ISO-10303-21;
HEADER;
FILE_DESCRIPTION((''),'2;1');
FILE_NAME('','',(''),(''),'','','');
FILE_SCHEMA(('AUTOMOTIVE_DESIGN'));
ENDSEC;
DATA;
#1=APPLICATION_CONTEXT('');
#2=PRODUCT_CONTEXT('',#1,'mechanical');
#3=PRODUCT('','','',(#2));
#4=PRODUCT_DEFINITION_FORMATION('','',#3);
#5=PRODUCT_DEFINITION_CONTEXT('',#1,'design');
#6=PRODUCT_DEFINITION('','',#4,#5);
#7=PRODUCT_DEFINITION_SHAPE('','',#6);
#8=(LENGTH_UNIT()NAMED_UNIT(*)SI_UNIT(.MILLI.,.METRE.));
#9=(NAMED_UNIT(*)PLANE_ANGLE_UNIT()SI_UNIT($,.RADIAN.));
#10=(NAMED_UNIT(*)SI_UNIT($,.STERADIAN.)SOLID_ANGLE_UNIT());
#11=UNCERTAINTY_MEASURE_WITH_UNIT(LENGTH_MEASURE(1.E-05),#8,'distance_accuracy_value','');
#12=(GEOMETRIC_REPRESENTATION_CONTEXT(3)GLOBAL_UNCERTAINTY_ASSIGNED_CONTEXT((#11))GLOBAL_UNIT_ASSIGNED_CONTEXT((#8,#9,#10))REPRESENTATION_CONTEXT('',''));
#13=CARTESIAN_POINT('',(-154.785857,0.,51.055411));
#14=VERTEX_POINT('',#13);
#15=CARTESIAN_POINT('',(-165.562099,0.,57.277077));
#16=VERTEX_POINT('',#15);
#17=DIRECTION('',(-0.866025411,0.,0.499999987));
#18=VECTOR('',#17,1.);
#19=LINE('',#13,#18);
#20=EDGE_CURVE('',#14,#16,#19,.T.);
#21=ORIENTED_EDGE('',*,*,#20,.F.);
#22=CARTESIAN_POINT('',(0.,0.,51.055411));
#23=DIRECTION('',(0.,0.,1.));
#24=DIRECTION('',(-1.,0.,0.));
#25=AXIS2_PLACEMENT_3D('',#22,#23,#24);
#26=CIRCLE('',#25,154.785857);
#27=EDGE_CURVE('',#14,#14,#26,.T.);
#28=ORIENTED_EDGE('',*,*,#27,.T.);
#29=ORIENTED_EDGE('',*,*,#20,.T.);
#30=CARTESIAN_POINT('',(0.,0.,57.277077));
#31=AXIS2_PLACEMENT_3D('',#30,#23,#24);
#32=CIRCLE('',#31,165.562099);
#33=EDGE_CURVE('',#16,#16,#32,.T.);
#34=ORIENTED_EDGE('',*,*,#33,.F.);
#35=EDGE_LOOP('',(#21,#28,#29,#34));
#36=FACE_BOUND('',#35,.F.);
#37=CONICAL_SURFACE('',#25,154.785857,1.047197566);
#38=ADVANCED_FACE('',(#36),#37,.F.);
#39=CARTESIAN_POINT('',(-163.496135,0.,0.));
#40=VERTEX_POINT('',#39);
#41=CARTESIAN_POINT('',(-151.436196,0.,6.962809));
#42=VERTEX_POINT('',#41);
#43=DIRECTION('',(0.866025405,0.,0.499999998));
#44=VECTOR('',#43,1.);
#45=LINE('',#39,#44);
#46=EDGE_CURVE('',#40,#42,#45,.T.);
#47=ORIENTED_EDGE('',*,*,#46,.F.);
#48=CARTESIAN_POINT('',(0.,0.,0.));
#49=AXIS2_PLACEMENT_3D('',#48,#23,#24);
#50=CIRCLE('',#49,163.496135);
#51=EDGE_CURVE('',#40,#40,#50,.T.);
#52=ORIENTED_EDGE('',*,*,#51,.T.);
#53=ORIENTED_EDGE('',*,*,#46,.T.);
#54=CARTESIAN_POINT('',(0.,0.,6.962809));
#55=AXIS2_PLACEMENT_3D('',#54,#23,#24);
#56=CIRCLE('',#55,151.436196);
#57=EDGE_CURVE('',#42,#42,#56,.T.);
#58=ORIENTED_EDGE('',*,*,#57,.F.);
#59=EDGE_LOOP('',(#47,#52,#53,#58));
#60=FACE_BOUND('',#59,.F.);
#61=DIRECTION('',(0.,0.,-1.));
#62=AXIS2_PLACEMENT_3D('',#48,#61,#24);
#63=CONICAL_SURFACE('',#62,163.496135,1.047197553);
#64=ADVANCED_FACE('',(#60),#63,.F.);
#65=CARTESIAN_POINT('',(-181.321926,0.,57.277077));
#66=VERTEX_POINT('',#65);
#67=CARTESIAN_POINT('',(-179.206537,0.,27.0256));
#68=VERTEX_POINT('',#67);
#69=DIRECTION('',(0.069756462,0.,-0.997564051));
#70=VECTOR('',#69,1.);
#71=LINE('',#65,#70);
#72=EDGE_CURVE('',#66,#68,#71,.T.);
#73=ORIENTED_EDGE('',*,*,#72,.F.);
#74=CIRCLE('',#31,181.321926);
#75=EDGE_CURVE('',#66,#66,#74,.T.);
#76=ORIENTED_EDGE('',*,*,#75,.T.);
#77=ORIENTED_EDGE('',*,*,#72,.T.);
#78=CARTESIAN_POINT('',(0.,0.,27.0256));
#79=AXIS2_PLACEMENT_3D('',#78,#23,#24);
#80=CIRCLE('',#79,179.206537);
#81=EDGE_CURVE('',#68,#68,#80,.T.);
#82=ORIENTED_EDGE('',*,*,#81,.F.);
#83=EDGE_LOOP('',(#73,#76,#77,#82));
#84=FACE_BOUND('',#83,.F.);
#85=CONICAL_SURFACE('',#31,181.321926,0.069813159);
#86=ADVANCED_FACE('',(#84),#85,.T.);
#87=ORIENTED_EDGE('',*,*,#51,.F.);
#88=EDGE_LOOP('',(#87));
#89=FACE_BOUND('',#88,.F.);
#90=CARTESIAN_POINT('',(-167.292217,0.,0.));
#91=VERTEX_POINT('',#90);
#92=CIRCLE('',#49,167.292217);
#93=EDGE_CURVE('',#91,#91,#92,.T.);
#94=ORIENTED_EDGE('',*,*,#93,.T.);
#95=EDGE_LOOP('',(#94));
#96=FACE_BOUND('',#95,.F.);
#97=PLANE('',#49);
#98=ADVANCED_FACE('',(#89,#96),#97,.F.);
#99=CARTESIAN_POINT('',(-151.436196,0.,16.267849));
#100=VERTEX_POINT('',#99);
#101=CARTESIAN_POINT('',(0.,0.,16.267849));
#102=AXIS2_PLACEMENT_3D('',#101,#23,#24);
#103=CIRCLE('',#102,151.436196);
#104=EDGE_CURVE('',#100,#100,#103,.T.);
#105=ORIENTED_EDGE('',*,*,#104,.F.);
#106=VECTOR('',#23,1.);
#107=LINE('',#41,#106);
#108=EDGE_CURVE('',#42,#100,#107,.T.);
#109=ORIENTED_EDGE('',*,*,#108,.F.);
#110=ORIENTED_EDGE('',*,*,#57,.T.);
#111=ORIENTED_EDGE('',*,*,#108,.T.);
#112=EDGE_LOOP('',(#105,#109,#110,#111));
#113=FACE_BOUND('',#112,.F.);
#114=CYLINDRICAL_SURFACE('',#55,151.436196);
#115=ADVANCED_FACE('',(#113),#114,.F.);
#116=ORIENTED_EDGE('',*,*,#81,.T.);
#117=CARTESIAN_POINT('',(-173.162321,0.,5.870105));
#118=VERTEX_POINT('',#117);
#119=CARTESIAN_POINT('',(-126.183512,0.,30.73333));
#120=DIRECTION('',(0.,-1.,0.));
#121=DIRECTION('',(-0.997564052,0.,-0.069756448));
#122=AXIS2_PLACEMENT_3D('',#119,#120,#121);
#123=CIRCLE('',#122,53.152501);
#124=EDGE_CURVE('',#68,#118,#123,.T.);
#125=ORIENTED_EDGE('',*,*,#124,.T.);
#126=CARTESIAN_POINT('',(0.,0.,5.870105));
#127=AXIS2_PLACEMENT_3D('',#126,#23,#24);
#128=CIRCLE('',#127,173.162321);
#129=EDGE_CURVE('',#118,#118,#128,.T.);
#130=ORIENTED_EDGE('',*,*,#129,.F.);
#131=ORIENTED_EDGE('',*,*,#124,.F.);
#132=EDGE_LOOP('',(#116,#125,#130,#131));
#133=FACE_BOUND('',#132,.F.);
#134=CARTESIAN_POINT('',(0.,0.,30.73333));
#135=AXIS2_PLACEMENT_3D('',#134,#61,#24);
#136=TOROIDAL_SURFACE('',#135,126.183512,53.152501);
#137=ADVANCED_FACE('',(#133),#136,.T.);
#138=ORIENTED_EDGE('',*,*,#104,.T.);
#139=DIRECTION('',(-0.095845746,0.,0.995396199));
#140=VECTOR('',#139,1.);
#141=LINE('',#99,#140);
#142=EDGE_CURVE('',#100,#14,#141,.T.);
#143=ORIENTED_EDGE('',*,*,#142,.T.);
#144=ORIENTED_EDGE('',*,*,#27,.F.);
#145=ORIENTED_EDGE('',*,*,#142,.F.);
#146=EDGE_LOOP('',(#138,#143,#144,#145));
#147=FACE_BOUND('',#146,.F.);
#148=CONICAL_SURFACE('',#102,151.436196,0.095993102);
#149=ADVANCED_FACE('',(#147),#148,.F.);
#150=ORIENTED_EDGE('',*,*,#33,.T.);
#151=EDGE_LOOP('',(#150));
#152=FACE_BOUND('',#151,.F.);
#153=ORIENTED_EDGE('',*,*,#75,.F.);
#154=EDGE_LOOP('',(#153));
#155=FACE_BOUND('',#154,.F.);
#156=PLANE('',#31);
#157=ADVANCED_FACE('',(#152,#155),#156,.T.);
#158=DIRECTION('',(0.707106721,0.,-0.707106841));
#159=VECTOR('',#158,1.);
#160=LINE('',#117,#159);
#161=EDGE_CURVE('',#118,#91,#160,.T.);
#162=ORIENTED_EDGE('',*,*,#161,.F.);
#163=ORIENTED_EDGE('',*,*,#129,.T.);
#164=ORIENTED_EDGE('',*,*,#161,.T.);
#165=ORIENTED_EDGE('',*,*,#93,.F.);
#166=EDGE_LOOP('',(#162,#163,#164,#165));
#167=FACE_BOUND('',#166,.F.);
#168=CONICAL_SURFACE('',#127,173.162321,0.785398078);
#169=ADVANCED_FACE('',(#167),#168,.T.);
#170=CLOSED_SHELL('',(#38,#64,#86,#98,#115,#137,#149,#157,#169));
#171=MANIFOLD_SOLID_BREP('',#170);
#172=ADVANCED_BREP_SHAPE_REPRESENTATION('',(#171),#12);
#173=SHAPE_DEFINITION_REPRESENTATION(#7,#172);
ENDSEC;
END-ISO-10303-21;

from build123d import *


with BuildPart() as f1:
    # F0 (on Front) → F1 (revolve)
    with BuildSketch(Plane.XZ):
        with BuildLine():
            Line((-167.292217, 0), (-163.496135, 0))
            Line((-163.496135, 0), (-151.436196, 6.962809))
            Line((-151.436196, 6.962809), (-151.436196, 16.267849))
            Line((-151.436196, 16.267849), (-154.785857, 51.055411))
            Line((-154.785857, 51.055411), (-165.562099, 57.277077))
            Line((-165.562099, 57.277077), (-181.321926, 57.277077))
            Line((-181.321926, 57.277077), (-179.206537, 27.0256))
            ThreePointArc((-179.206537, 27.0256), (-177.29105, 16.131686), (-173.162321, 5.870105))
            Line((-173.162321, 5.870105), (-167.292217, 0))
        make_face()
    revolve(axis=Axis((0, 0, 30.320982), (0, 0, 1)))


solid = f1.part
